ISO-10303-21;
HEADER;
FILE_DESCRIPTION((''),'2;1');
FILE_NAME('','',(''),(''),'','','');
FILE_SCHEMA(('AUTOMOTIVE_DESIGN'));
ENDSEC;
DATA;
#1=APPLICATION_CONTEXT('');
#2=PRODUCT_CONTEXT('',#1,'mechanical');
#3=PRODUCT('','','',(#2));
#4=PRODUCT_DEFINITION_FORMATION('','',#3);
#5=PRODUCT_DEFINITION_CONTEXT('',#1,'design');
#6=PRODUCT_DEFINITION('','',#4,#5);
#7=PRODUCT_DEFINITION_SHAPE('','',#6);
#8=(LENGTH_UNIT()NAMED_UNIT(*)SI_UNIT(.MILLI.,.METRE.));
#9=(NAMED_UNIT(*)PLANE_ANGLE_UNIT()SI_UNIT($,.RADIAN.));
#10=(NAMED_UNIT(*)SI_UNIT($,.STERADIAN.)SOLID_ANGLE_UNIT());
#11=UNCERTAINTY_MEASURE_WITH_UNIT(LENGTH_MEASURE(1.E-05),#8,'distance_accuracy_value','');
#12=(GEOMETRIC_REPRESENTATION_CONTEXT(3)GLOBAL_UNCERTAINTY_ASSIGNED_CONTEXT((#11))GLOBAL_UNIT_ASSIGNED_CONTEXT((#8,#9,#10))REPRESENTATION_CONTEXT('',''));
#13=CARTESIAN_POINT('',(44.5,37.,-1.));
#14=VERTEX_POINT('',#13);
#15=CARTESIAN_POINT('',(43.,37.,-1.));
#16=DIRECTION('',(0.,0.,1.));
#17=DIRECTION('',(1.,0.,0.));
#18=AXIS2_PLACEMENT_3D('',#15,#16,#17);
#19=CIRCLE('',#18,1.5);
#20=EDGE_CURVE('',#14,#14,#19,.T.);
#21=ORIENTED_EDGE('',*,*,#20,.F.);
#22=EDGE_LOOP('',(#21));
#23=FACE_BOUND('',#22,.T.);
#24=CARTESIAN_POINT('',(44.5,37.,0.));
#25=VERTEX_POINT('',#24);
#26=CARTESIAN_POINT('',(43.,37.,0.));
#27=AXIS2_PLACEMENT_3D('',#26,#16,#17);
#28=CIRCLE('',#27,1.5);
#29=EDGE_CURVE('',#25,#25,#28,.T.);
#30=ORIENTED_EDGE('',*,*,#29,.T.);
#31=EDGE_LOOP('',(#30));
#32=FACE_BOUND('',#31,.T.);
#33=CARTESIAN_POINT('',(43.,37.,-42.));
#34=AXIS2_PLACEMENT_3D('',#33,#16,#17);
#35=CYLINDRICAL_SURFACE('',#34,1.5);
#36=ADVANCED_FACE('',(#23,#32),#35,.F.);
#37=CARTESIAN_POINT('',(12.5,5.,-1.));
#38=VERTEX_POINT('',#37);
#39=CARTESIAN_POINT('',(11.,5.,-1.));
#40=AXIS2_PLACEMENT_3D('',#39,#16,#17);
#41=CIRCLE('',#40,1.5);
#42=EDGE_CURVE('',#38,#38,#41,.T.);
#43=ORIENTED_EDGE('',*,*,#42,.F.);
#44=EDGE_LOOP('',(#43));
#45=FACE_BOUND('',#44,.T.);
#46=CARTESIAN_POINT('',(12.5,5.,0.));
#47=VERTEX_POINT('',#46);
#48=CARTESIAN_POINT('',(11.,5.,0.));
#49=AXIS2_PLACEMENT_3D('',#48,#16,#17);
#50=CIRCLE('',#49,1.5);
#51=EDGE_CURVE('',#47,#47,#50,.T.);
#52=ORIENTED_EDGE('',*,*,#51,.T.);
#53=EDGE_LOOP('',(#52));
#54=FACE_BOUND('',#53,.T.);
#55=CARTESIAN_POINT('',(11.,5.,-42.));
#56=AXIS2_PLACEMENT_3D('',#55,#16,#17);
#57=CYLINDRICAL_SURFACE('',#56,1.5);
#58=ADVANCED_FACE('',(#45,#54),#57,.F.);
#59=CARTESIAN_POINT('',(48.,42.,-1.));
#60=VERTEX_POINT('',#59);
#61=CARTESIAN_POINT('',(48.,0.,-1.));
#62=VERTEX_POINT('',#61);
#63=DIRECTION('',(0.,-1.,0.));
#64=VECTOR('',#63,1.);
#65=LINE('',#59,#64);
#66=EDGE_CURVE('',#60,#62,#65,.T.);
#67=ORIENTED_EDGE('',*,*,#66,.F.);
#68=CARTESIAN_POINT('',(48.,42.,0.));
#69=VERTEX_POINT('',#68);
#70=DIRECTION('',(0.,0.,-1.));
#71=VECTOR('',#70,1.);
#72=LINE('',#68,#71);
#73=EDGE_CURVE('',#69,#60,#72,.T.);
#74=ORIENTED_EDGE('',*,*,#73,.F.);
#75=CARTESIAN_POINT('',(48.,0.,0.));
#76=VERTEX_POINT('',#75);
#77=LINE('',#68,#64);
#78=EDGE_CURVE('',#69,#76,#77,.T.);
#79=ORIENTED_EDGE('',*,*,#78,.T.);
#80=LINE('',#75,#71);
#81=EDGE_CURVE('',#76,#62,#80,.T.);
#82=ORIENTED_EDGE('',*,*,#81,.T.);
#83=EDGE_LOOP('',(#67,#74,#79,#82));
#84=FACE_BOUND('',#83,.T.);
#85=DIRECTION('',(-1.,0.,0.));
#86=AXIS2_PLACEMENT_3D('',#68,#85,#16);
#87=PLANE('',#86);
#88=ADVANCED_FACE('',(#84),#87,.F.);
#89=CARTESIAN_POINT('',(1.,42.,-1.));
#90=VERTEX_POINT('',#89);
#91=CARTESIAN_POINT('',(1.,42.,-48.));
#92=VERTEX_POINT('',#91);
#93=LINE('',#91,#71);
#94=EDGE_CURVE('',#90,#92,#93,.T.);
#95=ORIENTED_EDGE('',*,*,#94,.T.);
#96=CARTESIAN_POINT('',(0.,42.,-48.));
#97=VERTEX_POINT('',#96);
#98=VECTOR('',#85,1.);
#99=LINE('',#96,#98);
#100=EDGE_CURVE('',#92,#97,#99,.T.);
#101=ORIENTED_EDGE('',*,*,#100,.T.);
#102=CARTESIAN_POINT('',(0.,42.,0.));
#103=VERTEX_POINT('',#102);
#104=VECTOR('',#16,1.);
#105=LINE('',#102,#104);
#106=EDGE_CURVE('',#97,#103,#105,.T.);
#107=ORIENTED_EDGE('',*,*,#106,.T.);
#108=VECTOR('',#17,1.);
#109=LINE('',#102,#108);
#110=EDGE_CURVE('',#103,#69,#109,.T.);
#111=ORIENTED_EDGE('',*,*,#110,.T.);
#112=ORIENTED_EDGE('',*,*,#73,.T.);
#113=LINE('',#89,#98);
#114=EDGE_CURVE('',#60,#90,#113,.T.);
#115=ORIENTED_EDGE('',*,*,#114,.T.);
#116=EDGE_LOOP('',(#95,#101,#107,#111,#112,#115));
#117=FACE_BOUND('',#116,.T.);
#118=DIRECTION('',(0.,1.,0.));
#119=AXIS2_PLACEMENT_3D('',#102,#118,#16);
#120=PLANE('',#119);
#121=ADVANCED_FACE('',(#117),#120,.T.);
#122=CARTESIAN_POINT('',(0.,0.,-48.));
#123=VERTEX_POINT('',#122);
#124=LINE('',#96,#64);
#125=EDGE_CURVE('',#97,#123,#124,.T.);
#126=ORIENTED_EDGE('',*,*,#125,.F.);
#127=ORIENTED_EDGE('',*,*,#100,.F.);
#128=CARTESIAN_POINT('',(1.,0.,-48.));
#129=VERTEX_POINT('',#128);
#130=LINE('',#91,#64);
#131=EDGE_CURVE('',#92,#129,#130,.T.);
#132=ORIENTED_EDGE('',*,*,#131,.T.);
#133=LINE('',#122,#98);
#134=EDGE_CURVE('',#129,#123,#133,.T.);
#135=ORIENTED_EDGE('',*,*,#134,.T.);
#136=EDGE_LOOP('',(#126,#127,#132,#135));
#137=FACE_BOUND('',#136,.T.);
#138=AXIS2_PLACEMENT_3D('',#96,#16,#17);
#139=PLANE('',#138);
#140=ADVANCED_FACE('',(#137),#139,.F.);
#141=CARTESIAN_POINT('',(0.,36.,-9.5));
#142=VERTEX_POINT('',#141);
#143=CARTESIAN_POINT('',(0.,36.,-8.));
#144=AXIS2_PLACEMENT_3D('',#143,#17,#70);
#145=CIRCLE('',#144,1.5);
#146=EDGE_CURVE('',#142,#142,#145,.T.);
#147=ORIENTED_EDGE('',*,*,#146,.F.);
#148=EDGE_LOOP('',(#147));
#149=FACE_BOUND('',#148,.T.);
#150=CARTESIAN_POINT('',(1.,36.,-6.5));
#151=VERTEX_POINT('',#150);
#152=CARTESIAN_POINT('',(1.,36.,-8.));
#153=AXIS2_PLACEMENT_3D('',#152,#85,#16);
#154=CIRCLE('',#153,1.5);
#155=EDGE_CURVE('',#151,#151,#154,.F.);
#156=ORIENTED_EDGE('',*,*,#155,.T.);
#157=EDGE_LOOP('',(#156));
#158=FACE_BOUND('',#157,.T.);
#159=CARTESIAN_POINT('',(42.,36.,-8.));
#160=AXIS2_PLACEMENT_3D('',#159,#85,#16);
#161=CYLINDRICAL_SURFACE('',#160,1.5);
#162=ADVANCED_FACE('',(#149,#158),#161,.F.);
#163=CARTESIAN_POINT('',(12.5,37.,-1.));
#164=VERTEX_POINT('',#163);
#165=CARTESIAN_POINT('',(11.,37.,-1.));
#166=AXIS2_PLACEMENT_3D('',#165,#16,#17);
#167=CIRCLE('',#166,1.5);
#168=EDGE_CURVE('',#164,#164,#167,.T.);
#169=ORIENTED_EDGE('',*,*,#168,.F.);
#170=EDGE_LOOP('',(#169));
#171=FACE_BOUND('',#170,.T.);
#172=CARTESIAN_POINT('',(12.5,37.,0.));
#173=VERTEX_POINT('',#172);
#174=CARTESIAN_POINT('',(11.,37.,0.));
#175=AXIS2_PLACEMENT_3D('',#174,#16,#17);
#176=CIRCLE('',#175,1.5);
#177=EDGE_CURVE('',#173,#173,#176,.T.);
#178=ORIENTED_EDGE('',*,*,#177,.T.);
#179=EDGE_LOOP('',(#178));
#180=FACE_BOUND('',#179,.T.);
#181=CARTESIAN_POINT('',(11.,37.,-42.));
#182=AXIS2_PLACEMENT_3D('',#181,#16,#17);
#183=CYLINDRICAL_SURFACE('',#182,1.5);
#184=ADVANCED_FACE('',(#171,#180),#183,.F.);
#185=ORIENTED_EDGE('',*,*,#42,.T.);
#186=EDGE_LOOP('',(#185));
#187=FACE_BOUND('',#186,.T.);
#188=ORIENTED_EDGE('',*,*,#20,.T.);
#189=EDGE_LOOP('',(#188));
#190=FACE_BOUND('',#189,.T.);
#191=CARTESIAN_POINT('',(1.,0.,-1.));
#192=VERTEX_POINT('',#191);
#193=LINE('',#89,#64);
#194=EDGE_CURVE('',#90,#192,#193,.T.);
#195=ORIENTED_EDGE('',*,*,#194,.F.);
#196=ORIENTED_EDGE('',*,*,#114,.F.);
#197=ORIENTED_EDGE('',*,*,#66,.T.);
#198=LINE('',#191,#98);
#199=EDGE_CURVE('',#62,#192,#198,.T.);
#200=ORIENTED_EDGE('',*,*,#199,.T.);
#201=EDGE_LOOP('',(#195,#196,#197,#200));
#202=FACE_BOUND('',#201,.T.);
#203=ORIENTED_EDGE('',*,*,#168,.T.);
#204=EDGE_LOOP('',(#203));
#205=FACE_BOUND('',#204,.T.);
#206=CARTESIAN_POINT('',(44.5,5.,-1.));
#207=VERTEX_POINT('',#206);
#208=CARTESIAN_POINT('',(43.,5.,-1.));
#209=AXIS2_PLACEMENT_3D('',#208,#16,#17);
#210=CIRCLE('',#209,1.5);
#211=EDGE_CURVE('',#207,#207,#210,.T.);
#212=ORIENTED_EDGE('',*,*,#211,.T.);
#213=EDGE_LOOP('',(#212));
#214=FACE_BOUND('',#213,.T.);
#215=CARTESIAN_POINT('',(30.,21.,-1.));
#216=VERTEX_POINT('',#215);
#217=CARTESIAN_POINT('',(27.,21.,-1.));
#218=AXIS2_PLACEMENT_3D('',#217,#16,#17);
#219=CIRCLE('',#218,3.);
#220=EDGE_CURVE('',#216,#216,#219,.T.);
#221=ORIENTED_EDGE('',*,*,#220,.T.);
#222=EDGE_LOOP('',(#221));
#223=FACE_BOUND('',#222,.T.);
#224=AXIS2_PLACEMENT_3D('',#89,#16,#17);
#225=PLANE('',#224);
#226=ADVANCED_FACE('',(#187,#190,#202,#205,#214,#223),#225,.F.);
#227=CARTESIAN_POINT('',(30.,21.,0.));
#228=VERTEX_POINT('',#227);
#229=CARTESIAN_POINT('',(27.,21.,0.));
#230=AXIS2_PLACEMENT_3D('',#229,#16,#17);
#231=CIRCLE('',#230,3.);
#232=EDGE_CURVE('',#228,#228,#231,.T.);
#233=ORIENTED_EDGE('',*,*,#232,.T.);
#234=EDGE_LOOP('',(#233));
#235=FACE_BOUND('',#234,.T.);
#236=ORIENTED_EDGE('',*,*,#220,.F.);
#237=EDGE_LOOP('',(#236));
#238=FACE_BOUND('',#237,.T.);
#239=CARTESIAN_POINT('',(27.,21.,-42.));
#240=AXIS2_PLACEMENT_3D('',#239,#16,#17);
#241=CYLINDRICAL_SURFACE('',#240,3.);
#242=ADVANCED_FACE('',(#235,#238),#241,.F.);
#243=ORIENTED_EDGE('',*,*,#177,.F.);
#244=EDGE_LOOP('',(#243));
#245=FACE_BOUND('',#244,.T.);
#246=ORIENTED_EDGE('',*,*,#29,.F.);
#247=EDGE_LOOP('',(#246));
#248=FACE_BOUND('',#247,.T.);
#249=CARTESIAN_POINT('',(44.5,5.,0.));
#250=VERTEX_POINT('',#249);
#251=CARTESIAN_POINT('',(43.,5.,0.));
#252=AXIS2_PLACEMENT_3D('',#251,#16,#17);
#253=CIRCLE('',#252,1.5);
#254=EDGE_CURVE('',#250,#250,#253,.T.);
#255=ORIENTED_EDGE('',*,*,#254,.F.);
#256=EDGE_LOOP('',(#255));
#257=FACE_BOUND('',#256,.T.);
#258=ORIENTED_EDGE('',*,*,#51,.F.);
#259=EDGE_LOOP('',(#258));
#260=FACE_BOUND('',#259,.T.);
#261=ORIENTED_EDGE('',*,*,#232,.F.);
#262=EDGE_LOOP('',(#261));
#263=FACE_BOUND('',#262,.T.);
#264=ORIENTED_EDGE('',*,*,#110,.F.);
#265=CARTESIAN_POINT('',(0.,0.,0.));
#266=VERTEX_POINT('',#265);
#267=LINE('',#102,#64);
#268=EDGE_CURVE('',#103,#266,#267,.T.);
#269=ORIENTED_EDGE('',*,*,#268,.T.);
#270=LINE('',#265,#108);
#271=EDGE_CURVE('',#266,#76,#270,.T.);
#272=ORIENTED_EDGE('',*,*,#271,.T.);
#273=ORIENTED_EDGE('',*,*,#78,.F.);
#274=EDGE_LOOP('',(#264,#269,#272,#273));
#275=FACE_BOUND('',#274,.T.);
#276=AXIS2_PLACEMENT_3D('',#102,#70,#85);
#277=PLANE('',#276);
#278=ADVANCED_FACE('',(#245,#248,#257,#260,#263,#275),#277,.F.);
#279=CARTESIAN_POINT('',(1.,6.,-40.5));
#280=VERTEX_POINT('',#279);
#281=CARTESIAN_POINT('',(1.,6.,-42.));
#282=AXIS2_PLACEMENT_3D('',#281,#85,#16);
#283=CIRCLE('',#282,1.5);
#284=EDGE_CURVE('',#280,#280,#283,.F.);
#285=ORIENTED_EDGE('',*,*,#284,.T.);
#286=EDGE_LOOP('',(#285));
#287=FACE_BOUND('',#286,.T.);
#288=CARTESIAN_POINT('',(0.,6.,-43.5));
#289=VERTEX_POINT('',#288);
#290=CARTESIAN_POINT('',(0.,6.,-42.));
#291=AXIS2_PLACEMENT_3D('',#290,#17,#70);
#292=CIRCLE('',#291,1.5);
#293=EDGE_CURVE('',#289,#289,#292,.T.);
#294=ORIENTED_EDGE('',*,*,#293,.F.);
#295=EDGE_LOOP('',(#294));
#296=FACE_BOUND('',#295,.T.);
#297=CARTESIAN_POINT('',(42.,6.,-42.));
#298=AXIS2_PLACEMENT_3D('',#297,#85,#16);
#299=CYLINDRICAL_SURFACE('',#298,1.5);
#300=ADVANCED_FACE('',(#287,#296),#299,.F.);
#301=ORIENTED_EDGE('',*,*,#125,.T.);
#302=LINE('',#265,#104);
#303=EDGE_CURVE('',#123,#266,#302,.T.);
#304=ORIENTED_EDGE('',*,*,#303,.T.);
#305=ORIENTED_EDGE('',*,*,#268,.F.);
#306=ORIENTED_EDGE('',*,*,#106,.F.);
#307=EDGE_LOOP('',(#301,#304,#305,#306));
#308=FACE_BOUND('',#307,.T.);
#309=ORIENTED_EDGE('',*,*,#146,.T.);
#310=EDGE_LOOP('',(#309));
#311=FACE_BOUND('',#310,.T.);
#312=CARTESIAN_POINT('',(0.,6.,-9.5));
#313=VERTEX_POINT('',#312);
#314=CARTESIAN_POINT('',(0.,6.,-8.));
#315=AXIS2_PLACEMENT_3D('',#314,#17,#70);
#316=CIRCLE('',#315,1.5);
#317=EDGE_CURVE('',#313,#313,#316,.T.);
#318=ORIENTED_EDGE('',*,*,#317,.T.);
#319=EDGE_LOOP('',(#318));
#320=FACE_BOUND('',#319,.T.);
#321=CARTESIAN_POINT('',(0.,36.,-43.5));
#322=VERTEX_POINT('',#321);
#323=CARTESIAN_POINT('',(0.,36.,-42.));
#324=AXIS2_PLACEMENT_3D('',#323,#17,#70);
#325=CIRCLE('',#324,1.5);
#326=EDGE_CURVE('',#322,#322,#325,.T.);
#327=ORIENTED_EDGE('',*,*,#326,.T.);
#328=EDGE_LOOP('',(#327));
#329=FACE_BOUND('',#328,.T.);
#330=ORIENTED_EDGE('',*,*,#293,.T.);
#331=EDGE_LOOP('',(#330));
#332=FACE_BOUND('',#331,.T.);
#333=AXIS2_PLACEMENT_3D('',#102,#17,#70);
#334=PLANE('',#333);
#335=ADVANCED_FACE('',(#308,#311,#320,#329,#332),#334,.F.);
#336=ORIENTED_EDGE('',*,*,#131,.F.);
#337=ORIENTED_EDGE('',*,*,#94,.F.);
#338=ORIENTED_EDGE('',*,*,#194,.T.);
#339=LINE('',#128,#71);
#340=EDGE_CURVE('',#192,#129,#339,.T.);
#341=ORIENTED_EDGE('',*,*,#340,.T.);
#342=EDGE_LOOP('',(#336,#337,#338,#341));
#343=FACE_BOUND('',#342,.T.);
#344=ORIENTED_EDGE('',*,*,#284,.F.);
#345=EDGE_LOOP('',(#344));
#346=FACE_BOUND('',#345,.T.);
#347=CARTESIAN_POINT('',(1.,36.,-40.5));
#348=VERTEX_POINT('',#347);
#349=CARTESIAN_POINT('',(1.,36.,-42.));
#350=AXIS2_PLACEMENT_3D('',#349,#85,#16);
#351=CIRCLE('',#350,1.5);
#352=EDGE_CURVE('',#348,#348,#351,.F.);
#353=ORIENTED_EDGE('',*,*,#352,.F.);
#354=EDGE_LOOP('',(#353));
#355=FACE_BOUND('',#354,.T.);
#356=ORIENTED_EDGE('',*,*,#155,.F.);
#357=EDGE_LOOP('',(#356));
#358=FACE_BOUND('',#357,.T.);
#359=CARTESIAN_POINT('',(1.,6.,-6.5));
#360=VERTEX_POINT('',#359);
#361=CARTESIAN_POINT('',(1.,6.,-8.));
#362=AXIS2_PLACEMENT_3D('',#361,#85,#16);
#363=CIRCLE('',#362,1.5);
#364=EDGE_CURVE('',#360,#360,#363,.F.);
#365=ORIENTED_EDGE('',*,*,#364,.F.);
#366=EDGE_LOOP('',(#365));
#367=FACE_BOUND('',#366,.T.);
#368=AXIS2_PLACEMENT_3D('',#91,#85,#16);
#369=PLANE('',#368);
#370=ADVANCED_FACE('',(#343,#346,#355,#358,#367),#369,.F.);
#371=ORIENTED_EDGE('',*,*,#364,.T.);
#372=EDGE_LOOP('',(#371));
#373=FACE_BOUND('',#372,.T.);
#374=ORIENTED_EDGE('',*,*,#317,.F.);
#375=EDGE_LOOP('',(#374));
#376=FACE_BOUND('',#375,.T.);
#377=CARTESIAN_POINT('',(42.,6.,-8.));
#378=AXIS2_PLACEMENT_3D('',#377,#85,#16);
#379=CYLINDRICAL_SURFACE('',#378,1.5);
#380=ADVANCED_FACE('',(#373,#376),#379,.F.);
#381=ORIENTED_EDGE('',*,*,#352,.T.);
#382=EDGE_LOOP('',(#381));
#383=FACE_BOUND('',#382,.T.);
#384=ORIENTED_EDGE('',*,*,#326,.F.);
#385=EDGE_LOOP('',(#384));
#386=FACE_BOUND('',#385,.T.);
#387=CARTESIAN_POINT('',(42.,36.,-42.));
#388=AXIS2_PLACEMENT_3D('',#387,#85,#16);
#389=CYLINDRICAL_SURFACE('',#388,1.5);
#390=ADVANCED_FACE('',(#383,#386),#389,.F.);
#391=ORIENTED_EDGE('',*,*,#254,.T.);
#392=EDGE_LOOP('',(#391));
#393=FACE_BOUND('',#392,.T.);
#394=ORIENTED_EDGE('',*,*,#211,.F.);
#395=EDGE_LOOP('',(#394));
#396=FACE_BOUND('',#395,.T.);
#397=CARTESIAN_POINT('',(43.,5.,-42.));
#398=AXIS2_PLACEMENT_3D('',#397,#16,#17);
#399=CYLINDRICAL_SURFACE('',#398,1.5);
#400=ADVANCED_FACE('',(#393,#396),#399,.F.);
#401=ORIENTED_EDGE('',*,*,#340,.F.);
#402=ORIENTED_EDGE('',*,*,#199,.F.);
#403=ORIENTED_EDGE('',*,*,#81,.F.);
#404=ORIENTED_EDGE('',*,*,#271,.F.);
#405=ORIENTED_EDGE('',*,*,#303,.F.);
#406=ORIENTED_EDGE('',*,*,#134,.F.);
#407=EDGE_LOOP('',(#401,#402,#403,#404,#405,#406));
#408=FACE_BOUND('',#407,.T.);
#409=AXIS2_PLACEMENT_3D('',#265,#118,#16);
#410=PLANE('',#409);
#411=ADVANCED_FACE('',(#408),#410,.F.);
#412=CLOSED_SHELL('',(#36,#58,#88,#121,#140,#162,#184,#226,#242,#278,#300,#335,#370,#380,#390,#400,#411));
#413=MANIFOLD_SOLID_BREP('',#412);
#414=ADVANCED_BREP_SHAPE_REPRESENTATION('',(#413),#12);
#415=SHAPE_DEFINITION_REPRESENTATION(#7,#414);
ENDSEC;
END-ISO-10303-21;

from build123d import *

# Parameters (mm, degrees)
BOSS_EXTRUDE1_DEPTH = 42
SKETCH2_R           = 1.5
SKETCH2_R_2         = 3
CUT_EXTRUDE1_DEPTH  = 42
SKETCH3_R           = 1.5
CUT_EXTRUDE2_DEPTH  = 42


with BuildPart() as part:
    # Sketch1 → Boss-Extrude1 (new body)
    with BuildSketch(Plane(origin=(0, 0, 0), x_dir=(1, 0, 0), z_dir=(0, 1, 0))):
        Polygon((0, 0), (0, 48), (1, 48), (1, 1), (48, 1), (48, 0), align=None)
    extrude(amount=BOSS_EXTRUDE1_DEPTH)

    # Sketch2 → Cut-Extrude1 (cut)
    with BuildSketch(Plane.XY):
        with Locations((11, 37)):
            Circle(SKETCH2_R)
        with Locations((43, 37)):
            Circle(SKETCH2_R)
        with Locations((43, 5)):
            Circle(SKETCH2_R)
        with Locations((11, 5)):
            Circle(SKETCH2_R)
        with Locations((27, 21)):
            Circle(SKETCH2_R_2)
    extrude(amount=-CUT_EXTRUDE1_DEPTH, mode=Mode.SUBTRACT)

    # Sketch3 → Cut-Extrude2 (cut)
    with BuildSketch(Plane(origin=(0, 0, 0), x_dir=(0, 0, -1), z_dir=(1, 0, 0))):
        with Locations((42, 36)):
            Circle(SKETCH3_R)
        with Locations((42, 6)):
            Circle(SKETCH3_R)
        with Locations((8, 6)):
            Circle(SKETCH3_R)
        with Locations((8, 36)):
            Circle(SKETCH3_R)
    extrude(amount=CUT_EXTRUDE2_DEPTH, mode=Mode.SUBTRACT)


solid = part.part
